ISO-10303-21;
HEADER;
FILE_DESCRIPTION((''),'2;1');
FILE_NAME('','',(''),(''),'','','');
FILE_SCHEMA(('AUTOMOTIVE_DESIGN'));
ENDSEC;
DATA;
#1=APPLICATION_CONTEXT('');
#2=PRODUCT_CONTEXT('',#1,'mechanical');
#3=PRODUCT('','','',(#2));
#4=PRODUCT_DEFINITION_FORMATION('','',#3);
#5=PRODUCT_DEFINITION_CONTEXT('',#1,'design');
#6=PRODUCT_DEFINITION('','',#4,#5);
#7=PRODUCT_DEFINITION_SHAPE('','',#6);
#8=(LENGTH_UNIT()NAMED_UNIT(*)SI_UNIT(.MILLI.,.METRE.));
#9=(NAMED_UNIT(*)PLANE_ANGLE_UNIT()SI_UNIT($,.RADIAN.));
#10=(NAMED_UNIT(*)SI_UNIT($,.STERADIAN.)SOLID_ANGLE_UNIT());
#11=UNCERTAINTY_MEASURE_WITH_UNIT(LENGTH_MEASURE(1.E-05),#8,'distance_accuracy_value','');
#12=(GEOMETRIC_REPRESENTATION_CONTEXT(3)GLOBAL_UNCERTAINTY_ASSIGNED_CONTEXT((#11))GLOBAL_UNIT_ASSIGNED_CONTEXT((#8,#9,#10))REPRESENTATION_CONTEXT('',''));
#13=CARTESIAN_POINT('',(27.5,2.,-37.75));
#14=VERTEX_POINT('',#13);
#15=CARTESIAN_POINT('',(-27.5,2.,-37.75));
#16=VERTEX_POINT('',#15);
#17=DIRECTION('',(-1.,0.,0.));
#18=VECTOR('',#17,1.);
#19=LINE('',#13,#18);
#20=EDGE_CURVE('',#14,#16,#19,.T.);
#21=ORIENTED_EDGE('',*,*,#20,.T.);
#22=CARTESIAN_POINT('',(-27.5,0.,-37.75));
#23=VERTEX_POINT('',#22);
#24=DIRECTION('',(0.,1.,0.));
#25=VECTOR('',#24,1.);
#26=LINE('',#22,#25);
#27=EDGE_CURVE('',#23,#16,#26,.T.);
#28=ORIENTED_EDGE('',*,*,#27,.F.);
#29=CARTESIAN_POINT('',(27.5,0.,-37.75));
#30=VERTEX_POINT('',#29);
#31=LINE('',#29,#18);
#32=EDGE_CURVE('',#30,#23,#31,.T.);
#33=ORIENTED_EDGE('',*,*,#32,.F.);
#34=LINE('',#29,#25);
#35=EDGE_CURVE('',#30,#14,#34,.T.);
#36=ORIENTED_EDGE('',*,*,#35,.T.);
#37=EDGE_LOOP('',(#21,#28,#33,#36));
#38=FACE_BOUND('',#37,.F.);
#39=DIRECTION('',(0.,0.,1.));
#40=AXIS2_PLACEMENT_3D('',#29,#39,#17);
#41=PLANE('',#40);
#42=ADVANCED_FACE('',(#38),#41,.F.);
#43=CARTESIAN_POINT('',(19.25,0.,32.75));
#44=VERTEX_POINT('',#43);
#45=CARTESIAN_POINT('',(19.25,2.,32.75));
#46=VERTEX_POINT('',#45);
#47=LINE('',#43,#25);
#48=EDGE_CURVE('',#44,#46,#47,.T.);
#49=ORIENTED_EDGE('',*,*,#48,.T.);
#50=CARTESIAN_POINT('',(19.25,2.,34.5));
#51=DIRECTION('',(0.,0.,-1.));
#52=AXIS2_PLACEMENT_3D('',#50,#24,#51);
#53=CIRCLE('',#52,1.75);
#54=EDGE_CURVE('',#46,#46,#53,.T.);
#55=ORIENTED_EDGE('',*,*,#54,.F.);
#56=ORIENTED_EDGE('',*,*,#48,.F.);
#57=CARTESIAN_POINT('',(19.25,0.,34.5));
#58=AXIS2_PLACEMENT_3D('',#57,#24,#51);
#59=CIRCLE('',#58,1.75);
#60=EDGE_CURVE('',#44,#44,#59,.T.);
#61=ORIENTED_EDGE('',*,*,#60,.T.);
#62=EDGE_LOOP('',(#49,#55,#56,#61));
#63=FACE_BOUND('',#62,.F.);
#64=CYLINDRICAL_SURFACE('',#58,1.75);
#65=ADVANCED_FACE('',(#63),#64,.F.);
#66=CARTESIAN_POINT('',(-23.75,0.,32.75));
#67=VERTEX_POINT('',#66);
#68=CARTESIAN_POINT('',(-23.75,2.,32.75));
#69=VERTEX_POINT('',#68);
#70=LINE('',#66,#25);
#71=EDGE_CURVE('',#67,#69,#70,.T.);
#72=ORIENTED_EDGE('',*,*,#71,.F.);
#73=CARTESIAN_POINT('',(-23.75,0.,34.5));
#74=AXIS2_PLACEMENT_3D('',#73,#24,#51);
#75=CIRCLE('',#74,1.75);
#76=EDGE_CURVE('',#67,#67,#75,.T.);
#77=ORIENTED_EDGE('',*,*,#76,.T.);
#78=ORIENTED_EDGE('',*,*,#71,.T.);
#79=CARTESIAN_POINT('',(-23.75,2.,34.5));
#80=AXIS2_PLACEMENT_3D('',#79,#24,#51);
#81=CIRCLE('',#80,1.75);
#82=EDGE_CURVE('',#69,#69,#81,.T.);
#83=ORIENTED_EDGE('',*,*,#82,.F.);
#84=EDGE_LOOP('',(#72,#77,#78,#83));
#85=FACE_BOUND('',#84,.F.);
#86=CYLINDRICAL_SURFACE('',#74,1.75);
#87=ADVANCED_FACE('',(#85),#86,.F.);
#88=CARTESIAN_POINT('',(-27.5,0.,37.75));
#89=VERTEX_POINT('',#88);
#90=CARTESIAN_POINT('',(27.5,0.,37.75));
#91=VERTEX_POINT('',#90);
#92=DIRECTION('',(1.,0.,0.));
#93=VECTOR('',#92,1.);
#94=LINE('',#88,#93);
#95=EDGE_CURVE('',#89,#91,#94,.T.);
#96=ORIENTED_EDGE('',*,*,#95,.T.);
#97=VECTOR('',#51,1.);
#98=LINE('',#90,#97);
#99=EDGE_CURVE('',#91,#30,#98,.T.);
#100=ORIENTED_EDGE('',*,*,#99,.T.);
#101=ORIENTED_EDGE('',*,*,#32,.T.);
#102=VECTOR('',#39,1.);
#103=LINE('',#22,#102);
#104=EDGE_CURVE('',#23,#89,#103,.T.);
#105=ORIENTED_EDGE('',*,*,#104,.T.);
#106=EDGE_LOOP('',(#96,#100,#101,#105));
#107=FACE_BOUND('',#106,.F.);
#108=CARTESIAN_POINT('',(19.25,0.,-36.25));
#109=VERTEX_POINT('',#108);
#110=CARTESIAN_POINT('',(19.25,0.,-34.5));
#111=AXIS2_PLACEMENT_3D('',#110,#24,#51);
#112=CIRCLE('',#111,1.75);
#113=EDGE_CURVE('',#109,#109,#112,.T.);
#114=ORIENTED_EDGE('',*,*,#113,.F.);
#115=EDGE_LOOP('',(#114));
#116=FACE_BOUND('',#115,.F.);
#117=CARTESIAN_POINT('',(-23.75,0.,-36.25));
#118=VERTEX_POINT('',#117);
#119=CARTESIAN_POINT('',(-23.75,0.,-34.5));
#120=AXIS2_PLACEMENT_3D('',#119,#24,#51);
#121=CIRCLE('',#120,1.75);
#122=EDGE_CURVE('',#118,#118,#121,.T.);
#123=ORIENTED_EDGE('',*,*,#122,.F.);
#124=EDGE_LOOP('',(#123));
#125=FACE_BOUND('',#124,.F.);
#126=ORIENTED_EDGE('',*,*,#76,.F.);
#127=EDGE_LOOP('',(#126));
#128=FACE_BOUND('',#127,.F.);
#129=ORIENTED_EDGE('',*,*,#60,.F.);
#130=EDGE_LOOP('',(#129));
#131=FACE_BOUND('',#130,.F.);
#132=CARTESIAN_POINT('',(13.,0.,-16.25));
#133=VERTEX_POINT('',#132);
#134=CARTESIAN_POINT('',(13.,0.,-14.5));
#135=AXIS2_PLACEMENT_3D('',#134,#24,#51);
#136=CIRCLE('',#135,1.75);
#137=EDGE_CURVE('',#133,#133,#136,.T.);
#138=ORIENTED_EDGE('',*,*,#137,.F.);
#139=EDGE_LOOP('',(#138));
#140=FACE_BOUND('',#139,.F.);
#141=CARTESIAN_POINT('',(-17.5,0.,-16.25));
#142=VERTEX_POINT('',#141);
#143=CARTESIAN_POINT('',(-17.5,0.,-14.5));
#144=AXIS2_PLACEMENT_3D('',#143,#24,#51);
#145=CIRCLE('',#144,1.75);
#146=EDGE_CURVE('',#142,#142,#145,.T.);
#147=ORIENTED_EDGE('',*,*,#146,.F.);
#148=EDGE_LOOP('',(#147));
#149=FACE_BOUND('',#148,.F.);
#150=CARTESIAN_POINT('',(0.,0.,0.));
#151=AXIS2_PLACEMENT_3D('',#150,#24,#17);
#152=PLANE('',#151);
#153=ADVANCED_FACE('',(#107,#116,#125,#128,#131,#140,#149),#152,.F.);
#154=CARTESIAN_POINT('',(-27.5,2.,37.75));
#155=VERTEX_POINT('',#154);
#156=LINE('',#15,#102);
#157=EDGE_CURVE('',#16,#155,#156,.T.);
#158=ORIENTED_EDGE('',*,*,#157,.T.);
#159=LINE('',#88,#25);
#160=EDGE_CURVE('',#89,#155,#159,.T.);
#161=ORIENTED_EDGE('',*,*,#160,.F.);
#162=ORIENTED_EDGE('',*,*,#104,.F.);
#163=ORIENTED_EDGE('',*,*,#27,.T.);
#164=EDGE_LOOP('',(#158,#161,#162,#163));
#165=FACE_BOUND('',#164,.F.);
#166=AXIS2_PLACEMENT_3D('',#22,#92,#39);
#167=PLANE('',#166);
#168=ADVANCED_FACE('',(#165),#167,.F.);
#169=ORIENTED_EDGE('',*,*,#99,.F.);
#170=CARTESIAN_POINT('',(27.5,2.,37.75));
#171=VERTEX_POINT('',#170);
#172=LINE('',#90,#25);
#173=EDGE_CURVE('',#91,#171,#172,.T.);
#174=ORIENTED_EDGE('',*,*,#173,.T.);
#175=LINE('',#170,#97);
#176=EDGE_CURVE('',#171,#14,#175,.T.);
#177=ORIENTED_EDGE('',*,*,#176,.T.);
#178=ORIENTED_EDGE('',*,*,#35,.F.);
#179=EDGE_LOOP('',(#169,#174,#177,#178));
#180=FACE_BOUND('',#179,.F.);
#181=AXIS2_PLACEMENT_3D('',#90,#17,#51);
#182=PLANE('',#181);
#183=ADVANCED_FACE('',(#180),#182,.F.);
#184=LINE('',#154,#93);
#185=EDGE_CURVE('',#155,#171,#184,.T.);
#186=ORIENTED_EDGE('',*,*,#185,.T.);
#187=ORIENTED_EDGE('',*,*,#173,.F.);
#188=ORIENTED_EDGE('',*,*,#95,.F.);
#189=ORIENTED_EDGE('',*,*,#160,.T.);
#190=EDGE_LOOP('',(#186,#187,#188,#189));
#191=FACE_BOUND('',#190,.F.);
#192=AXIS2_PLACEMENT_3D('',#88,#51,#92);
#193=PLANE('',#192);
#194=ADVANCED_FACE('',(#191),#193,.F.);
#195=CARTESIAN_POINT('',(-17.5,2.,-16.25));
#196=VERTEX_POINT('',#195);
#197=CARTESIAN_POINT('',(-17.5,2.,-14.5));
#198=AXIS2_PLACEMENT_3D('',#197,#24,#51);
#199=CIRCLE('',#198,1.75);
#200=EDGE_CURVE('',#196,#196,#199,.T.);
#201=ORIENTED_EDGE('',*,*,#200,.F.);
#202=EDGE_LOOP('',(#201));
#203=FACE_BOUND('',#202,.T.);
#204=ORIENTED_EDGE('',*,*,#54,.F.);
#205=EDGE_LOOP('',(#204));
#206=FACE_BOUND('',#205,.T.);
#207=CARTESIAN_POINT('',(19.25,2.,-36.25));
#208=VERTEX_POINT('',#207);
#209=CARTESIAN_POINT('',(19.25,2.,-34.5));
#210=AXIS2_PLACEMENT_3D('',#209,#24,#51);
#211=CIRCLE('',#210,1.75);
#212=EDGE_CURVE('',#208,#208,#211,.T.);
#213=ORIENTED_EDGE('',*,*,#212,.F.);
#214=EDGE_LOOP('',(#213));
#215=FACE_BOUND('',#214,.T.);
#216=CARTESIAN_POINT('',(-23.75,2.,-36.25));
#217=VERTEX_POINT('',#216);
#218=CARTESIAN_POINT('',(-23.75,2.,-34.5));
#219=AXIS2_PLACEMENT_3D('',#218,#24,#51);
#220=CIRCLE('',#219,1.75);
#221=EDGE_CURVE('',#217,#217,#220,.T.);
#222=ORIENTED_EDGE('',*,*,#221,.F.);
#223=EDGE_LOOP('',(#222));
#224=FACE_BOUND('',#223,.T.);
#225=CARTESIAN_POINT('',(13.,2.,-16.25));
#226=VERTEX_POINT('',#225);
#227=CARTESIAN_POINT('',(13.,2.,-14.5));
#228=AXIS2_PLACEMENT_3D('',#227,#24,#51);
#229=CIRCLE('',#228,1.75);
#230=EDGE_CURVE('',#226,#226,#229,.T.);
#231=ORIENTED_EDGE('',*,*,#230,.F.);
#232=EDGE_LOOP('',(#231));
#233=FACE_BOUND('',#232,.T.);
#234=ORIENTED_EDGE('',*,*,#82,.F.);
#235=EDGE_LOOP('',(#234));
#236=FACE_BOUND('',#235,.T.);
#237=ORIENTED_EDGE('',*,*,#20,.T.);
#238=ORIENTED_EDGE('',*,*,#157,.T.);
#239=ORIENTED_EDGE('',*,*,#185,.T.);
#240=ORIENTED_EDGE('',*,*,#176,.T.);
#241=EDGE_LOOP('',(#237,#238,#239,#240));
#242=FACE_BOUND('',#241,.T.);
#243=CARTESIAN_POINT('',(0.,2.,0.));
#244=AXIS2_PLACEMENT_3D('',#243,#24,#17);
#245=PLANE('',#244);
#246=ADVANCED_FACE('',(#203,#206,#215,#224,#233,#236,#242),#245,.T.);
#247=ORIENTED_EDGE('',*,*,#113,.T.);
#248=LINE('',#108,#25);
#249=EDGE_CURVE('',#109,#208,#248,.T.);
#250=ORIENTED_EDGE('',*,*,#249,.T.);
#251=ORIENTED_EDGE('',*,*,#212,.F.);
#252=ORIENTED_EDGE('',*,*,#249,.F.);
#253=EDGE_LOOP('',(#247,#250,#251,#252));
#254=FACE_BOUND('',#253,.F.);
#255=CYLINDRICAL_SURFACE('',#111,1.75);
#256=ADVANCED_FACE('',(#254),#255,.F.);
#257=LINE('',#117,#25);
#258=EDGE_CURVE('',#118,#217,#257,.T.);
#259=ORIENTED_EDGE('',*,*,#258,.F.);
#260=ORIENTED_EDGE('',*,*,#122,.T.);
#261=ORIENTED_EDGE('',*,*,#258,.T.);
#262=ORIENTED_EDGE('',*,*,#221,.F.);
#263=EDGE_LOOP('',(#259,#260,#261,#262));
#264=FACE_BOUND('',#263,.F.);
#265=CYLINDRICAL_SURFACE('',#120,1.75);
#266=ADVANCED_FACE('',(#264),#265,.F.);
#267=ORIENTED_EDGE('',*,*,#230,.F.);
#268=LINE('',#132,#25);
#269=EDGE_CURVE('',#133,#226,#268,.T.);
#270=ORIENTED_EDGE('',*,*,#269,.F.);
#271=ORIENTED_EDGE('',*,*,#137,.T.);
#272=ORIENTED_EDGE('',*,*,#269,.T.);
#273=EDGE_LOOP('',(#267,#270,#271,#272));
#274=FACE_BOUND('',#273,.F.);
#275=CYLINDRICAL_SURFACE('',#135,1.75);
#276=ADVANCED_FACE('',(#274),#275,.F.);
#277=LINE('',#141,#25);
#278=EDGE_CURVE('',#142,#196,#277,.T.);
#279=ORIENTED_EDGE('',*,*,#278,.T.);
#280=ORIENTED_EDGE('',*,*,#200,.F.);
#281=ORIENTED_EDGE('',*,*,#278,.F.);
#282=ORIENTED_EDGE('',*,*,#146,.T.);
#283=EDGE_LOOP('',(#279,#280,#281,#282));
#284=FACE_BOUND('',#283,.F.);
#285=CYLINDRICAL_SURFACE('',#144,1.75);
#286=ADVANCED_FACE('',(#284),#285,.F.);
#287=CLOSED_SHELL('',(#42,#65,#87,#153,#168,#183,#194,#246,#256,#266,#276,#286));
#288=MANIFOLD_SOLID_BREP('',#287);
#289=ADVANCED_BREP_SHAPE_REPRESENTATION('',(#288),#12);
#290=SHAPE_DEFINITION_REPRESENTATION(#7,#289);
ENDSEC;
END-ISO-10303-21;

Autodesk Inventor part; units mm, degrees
ref_plane "YZ Plane" through (0, 0, 0) normal (1, 0, 0) x (0, 1, 0)
ref_plane "XZ Plane" through (0, 0, 0) normal (0, 1, 0) x (-1, 0, 0)
ref_plane "XY Plane" through (0, 0, 0) normal (0, 0, 1) x (1, 0, 0)
sketch "Szkic1" plane through (0, 0, 0) normal (0, 1, 0) x (-1, 0, 0)
  line L0 (-27.5, -37.75) -> (27.5, -37.75)
  line L1 (27.5, -37.75) -> (27.5, 37.75)
  line L2 (27.5, 37.75) -> (-27.5, 37.75)
  line L3 (-27.5, 37.75) -> (-27.5, -37.75)
  line L4 (-27.5, -37.75) -> (27.5, 37.75) construction
  line L5 (27.5, -37.75) -> (-27.5, 37.75) construction
  point P0 (0, 0)
  dimension "d0" = 55
  dimension "d1" = 75.5
extrude "Wyciągnięcie proste1" add sketch "Szkic1" along normal blind 2
sketch "Szkic2" plane through (0, 0, 0) normal (0, -1, 0) x (1, 0, 0)
  line L0 (15.75, -7.5) -> (15.75, -11.75) projected
  line L1 (15.75, -11.75) -> (13, -11.75) projected
  arc A0 (13, -11.75) -> (13, -17.25) centre (13, -14.5) ccw projected
  line L2 (13, -17.25) -> (15.75, -17.25) projected
  line L3 (15.75, -17.25) -> (15.75, -21.5) projected
  line L4 (15.75, -21.5) -> (-20.25, -21.5) projected
  line L5 (-20.25, -21.5) -> (-20.25, -17.25) projected
  line L6 (-20.25, -17.25) -> (-17.5, -17.25) projected
  arc A1 (-17.5, -17.25) -> (-17.5, -11.75) centre (-17.5, -14.5) ccw projected
  line L7 (-17.5, -11.75) -> (-20.25, -11.75) projected
  line L8 (-20.25, -11.75) -> (-20.25, -7.5) projected
  line L9 (-20.25, -7.5) -> (15.75, -7.5) projected
  circle A2 centre (-17.5, -14.5) radius 1.75 projected
  circle A3 centre (19.25, -34.5) radius 1.75 projected
  circle A4 centre (-23.75, 34.5) radius 1.75 projected
  circle A5 centre (-23.75, -34.5) radius 1.75 projected
  circle A6 centre (19.25, 34.5) radius 1.75 projected
  circle A7 centre (13, -14.5) radius 1.75 projected
  line L10 (23, -37.75) -> (-27.5, -37.75) projected
  line L11 (23, 37.75) -> (23, -37.75) projected
  line L12 (-27.5, 37.75) -> (23, 37.75) projected
  line L13 (-27.5, -37.75) -> (-27.5, 37.75) projected
  line L14 (-20.25, -21.5) -> (15.75, -21.5) projected
  point P0 (0, 0)
hole "Otwór1" at (19.25, 0, 34.5) at (19.25, 0, -34.5) at (13, 0, -14.5) at (-17.5, 0, -14.5) at (-23.75, 0, -34.5) at (-23.75, 0, 34.5) direction (0, 1, 0) diameter 3.5 end through all
properties part number "blacha pionowa ste driver"
